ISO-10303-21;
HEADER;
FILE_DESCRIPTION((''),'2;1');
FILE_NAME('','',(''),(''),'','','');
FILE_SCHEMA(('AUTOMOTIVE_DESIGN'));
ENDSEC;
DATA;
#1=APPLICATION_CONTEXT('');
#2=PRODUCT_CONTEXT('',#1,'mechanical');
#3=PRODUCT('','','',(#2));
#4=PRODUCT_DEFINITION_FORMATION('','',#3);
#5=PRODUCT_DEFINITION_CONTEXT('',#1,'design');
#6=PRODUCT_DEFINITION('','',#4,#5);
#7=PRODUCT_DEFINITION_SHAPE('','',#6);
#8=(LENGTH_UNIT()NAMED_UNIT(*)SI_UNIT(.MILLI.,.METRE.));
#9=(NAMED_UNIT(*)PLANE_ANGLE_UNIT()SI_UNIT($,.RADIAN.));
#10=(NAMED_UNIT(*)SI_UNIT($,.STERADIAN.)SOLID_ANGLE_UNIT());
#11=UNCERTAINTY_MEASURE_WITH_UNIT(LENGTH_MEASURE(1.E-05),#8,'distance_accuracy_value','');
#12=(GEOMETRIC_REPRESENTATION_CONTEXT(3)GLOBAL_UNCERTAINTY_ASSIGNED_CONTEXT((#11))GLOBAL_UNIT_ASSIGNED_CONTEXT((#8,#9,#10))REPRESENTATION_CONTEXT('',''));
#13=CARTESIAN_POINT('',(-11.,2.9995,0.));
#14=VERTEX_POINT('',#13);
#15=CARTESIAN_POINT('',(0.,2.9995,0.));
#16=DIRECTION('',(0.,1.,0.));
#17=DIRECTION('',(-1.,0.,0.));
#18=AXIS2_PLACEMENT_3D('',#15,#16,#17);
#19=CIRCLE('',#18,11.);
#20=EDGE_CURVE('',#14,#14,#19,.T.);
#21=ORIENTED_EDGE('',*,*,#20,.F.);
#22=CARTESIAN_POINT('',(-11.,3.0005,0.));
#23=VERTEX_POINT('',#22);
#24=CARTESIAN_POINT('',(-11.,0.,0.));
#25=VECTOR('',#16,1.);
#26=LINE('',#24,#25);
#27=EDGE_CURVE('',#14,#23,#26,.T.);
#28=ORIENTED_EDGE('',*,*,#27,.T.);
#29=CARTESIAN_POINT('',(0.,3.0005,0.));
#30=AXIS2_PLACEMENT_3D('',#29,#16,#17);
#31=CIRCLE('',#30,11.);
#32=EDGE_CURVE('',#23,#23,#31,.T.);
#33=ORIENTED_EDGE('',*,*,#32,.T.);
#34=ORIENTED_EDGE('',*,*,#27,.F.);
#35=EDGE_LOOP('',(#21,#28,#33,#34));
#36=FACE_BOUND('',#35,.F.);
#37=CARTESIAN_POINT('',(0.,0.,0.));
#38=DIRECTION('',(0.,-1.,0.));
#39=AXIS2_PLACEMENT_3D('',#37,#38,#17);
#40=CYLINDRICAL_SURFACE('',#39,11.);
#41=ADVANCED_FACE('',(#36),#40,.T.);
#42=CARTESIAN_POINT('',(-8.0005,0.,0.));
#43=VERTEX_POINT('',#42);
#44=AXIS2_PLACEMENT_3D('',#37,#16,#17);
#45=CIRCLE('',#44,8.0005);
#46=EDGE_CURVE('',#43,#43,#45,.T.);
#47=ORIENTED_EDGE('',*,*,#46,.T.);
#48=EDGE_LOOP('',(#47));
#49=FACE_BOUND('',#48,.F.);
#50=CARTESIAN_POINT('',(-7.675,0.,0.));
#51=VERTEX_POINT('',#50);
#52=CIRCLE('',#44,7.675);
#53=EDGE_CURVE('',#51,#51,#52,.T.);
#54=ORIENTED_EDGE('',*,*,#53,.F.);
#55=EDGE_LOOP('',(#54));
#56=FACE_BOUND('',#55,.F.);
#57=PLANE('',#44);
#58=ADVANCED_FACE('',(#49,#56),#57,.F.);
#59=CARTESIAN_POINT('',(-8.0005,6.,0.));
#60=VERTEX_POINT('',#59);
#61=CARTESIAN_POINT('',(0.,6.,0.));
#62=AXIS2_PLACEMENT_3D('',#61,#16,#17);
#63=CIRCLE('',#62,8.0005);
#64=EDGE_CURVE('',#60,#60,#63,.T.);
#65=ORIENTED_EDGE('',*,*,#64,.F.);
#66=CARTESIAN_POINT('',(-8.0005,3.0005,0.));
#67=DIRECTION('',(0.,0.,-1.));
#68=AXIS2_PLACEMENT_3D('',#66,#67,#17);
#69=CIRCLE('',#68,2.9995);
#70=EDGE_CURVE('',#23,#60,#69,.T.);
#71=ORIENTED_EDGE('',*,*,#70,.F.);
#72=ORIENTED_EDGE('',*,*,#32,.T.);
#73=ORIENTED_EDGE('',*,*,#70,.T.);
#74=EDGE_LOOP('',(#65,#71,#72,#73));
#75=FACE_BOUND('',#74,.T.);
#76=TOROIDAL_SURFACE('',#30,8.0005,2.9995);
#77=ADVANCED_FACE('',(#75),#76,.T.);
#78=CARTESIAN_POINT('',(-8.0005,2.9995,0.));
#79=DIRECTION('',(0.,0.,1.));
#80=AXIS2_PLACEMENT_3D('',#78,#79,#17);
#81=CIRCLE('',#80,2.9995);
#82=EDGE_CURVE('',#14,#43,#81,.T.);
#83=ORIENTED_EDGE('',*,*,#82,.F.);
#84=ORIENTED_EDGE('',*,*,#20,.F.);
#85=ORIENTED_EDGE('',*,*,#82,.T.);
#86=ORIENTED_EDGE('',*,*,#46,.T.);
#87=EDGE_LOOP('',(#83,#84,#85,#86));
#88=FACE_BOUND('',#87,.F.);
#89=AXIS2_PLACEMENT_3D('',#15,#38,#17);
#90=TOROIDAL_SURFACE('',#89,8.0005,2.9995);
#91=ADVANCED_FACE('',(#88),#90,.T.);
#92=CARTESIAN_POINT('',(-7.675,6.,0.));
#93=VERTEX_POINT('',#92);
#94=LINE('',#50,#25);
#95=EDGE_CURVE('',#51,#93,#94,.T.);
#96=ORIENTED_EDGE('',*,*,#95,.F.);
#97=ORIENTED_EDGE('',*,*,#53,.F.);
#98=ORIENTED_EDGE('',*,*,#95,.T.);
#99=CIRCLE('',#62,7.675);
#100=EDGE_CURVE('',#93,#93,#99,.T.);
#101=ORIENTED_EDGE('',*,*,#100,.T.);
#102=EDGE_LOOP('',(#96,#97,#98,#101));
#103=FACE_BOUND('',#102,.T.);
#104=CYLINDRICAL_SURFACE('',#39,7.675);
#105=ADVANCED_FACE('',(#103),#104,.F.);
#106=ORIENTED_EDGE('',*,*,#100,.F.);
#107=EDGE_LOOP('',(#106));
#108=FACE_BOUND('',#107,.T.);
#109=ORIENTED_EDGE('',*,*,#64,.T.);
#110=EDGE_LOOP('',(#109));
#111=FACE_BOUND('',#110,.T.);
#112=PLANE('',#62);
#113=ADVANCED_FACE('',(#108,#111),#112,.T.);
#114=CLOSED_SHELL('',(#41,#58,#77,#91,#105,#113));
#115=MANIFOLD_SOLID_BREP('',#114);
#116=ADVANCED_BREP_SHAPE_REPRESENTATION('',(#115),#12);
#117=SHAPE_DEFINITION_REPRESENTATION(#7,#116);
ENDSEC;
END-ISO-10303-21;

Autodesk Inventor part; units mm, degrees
ref_plane "YZ Plane" through (0, 0, 0) normal (1, 0, 0) x (0, 1, 0)
ref_plane "XZ Plane" through (0, 0, 0) normal (0, 1, 0) x (-1, 0, 0)
ref_plane "XY Plane" through (0, 0, 0) normal (0, 0, 1) x (1, 0, 0)
sketch "Szkic1" plane through (0, 0, 0) normal (0, 1, 0) x (-1, 0, 0)
  circle A0 centre (0, 0) radius 7.675
  circle A1 centre (0, 0) radius 11
  dimension "d0" = 15.35
  dimension "d1" = 22
extrude "Wyciągnięcie proste1" add sketch "Szkic1" along normal blind 6
fillet "Zaokrąglenie1" radius 3 2 edges at (11, 6, 0) (11, 0, 0)
properties part number "pierscien rurka cienka"
